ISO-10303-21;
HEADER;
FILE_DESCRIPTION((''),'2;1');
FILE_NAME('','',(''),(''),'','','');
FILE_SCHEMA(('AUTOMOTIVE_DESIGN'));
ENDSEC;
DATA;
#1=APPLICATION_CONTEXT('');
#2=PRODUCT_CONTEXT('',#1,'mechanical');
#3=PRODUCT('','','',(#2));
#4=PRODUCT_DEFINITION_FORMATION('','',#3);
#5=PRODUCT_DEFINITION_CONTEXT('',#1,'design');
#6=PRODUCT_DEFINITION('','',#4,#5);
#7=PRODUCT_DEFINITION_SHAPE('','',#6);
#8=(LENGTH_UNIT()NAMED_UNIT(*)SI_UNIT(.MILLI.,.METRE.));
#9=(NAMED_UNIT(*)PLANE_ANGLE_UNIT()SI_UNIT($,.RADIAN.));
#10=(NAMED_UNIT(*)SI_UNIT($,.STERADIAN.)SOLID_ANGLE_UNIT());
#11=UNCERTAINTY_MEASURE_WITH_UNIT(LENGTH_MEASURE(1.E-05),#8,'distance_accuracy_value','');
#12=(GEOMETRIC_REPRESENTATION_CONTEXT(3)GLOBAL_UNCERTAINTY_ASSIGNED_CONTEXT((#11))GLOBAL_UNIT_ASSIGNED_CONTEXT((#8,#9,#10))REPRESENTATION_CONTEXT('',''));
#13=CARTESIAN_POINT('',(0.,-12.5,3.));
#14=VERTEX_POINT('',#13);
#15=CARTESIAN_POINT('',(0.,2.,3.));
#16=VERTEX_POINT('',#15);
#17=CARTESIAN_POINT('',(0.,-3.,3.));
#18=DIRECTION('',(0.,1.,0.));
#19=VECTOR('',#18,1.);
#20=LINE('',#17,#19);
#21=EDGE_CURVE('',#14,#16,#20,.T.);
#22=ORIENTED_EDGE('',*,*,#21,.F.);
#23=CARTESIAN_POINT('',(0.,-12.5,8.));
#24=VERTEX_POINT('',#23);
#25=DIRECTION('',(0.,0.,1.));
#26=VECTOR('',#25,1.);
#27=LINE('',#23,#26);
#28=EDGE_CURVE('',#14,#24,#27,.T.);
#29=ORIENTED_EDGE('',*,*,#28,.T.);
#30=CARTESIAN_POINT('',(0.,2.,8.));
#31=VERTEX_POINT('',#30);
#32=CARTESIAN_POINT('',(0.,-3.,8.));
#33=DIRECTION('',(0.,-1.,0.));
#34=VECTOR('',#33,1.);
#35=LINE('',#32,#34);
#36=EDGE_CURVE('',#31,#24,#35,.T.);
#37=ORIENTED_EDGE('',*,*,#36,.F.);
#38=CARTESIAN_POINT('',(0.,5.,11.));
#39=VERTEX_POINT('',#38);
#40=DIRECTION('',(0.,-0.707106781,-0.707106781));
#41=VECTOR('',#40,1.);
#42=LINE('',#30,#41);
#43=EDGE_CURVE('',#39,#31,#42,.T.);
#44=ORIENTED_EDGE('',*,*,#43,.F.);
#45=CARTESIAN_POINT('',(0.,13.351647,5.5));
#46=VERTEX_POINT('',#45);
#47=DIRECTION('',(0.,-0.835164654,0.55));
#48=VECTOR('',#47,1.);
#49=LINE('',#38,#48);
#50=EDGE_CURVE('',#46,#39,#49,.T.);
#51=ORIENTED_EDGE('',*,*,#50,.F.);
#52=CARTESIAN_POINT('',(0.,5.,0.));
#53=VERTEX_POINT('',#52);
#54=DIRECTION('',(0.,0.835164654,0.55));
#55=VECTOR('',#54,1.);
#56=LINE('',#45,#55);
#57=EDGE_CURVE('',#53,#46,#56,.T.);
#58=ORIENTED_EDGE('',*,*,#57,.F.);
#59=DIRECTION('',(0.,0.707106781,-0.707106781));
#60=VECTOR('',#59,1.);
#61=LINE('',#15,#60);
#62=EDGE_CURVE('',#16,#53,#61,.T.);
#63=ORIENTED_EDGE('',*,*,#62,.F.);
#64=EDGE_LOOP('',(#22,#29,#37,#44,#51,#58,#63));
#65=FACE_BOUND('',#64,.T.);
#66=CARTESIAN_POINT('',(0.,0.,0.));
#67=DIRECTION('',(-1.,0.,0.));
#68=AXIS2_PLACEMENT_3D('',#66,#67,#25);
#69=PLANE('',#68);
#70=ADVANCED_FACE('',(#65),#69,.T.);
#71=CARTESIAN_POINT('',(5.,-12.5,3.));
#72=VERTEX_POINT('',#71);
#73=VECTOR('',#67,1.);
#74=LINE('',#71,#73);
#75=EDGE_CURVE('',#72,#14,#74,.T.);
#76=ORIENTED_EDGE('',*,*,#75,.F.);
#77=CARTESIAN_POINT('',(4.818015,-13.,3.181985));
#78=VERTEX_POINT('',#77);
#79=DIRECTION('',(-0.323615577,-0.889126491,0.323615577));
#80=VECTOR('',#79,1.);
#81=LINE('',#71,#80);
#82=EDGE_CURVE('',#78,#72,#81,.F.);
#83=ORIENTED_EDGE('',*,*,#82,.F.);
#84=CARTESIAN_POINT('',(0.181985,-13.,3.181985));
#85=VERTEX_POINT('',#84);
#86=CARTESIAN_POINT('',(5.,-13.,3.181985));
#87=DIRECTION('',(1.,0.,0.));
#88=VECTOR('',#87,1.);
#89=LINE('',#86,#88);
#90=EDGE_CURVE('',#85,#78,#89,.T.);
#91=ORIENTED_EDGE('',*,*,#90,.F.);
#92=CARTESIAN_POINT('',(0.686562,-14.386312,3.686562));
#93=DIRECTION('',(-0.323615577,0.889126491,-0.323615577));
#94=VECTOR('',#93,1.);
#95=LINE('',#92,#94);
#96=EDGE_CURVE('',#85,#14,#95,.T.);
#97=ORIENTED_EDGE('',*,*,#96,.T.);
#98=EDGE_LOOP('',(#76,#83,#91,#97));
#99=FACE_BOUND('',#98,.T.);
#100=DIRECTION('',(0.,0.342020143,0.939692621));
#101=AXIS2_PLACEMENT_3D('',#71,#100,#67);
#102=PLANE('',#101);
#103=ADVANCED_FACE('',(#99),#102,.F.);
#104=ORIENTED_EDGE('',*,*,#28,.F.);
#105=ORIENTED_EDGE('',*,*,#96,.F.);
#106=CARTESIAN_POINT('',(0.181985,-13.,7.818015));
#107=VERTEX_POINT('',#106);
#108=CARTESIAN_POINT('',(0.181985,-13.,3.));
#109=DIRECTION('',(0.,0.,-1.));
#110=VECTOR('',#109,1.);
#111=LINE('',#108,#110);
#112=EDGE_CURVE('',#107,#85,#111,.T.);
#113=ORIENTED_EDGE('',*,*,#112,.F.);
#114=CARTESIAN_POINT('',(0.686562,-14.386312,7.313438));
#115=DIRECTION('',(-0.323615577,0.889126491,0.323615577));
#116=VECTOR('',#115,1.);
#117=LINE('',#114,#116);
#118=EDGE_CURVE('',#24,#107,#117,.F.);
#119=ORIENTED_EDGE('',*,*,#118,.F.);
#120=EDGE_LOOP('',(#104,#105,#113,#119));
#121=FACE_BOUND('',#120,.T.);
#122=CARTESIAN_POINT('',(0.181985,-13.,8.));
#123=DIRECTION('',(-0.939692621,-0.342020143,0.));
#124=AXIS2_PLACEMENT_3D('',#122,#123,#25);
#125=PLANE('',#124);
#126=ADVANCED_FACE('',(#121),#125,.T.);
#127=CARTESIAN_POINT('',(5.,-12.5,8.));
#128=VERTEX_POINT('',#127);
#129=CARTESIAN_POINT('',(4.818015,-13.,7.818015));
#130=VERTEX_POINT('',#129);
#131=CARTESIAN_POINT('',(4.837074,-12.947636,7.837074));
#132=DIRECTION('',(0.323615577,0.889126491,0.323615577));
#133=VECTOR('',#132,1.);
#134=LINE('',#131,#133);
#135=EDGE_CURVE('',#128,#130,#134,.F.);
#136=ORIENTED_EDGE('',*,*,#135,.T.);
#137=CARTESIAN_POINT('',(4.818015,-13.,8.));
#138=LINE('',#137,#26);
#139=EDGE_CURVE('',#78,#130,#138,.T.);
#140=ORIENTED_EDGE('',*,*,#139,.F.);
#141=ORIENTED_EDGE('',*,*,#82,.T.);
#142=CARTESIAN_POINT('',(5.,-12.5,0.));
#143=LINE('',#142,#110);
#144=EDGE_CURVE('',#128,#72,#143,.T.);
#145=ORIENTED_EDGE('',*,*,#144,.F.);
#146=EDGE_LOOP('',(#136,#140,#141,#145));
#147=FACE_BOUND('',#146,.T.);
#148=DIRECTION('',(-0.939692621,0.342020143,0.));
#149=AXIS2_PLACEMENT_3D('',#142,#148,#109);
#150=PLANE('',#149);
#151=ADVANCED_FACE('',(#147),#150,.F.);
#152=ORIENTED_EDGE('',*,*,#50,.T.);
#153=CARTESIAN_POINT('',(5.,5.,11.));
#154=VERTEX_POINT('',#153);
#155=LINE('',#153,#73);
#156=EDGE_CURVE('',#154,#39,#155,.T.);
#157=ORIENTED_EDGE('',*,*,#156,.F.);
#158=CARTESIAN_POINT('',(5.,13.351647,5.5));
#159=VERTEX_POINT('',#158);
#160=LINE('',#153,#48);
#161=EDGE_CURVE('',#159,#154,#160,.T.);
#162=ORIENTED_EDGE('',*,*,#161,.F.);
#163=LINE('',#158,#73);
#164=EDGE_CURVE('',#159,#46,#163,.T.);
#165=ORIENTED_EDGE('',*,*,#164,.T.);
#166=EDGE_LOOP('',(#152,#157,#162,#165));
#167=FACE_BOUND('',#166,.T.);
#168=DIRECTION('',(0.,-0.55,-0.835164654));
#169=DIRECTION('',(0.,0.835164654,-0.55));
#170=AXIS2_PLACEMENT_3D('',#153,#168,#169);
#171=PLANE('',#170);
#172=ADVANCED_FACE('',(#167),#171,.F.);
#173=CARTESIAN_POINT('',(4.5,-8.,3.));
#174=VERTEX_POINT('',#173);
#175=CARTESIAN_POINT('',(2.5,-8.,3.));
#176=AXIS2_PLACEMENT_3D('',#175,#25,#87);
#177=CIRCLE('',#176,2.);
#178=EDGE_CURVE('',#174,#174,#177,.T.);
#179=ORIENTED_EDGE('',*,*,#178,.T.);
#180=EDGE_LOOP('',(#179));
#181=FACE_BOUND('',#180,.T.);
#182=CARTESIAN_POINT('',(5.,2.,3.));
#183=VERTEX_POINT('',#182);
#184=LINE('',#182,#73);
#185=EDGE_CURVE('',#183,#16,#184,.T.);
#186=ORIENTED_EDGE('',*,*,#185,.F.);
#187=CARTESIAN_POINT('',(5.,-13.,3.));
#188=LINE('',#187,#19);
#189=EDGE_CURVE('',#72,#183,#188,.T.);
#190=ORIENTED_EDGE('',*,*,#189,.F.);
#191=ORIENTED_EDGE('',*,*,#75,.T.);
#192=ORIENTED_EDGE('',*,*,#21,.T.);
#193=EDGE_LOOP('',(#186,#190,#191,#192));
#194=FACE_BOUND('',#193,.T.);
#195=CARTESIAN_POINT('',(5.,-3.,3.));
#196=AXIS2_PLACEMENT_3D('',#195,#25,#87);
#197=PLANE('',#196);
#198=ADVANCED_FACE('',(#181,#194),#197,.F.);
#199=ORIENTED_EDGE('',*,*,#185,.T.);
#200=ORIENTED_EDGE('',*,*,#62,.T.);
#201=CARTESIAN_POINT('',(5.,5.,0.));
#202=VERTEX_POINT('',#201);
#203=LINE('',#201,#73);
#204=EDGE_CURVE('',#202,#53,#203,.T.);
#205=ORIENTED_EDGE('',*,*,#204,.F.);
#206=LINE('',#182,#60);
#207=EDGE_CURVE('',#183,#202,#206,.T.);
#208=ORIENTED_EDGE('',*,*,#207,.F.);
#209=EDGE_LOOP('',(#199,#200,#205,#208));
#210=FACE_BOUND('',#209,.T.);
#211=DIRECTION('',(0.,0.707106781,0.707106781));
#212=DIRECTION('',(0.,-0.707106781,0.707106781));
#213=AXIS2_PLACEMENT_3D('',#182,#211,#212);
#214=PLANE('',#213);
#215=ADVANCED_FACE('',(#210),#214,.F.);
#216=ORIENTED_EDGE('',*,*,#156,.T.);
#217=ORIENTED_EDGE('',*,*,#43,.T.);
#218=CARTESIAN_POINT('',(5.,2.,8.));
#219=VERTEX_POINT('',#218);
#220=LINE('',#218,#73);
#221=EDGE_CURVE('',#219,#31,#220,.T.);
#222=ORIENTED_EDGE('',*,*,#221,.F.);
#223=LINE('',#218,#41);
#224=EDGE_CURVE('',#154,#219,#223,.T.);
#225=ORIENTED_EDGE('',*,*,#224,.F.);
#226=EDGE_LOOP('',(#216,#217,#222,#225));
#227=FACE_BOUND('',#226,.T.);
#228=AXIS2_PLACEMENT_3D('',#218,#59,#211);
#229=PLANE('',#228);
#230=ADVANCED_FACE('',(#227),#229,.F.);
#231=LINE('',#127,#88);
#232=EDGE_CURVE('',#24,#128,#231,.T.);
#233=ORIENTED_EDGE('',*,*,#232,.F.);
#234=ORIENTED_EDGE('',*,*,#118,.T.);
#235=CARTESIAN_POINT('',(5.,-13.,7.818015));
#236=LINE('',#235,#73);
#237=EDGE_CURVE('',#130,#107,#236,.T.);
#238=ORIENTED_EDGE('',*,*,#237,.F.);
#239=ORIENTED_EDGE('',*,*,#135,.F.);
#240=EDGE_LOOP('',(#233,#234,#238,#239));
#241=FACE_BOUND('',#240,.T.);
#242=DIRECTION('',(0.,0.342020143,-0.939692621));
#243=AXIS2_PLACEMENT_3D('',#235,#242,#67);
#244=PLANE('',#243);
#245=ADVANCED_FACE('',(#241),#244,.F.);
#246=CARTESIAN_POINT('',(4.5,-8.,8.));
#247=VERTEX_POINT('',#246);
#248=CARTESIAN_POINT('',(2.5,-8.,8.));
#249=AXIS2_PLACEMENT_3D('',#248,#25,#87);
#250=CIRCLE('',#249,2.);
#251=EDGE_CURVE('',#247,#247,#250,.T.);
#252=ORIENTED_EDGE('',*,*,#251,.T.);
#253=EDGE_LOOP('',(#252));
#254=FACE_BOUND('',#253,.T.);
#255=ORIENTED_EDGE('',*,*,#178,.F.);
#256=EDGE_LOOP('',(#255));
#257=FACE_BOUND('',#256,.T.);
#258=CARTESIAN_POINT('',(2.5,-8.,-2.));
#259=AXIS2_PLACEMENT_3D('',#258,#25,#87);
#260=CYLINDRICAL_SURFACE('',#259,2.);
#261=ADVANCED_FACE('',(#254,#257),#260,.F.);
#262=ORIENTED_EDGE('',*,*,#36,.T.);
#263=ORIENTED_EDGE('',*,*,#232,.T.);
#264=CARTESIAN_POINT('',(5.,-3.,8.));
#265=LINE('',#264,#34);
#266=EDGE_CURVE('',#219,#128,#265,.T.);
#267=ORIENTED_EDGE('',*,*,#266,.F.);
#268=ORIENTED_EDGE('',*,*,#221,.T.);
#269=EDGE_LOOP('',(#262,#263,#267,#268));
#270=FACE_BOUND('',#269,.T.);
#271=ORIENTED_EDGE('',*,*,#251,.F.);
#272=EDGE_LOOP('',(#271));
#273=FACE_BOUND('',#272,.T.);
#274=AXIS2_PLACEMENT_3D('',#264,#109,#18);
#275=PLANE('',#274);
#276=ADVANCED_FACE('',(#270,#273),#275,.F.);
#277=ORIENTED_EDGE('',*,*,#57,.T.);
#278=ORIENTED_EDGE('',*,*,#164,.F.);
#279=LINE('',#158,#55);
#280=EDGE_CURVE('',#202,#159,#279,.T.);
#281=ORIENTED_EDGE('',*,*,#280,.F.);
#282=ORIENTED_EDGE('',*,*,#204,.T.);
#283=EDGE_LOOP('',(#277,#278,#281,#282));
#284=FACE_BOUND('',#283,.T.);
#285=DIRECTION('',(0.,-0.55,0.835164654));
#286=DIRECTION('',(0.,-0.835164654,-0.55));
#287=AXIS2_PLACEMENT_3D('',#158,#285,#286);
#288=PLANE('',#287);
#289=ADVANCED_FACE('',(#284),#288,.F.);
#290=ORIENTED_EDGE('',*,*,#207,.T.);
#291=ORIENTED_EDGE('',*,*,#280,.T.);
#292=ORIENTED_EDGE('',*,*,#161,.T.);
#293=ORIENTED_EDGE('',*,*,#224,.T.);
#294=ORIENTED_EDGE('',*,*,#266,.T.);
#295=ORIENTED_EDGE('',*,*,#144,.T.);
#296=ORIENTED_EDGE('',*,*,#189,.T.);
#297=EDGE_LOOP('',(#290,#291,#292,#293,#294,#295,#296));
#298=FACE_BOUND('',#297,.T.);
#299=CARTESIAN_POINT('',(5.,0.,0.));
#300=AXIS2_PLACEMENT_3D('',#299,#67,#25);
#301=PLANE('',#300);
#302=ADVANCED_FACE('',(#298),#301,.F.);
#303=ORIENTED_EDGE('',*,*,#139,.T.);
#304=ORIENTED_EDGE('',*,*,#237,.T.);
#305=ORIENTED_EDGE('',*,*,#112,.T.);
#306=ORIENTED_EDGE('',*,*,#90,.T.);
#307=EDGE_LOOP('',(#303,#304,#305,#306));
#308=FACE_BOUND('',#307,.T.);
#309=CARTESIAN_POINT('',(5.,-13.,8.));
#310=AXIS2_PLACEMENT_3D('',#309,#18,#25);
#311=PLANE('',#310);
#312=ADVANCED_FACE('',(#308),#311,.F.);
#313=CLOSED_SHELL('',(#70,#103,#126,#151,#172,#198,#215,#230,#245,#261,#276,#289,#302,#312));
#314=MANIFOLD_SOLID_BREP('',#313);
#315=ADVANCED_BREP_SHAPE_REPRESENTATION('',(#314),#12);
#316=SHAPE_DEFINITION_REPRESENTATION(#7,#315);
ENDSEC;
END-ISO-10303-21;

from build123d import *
from OCP.BRepFilletAPI import BRepFilletAPI_MakeChamfer

# Parameters (mm, degrees)
BOSS_EXTRUDE1_DEPTH = 5
SKETCH4_R           = 2
CUT_EXTRUDE2_DEPTH  = 10
CHAMFER1_SIZE       = 0.5
CHAMFER1_SIZE2      = 0.181985117


with BuildPart() as part:
    # Sketch2 → Boss-Extrude1 (new body)
    with BuildSketch(Plane.YZ):
        Polygon((-3, 8), (-13, 8), (-13, 3), (-3, 3), (2, 3), (5, 0), (13.351646544, 5.5), (5, 11), (2, 8), align=None)
    extrude(amount=BOSS_EXTRUDE1_DEPTH)

    # Sketch4 → Cut-Extrude2 (cut)
    with BuildSketch(Plane.XY.offset(8)):
        with Locations((2.5, -8)):
            Circle(SKETCH4_R)
    extrude(amount=-CUT_EXTRUDE2_DEPTH, mode=Mode.SUBTRACT)

    # Chamfer1: one chamfer whose edges measure the first distance from different faces: ONE call of the kernel's chamfer builder (chamfer() names one face for all edges)
    chamfer1_edges_1 = [part.edges().sort_by_distance(p)[0] for p in [
        (0, -13, 5.5),
    ]]
    chamfer1_side_1 = [part.faces().sort_by_distance(p)[0] for p in [
        (0, 0.23145202, 5.5),
    ]]
    chamfer1_edges_2 = [part.edges().sort_by_distance(p)[0] for p in [
        (2.5, -13, 3),
    ]]
    chamfer1_side_2 = [part.faces().sort_by_distance(p)[0] for p in [
        (2.5, -4.996810824, 3),
    ]]
    chamfer1_edges_3 = [part.edges().sort_by_distance(p)[0] for p in [
        (2.5, -13, 8),
    ]]
    chamfer1_side_3 = [part.faces().sort_by_distance(p)[0] for p in [
        (2.5, -4.996810824, 8),
    ]]
    chamfer1_edges_4 = [part.edges().sort_by_distance(p)[0] for p in [
        (5, -13, 5.5),
    ]]
    chamfer1_side_4 = [part.faces().sort_by_distance(p)[0] for p in [
        (5, 0.23145202, 5.5),
    ]]
    chamfer1 = BRepFilletAPI_MakeChamfer(part.part.solid().wrapped)
    for e in chamfer1_edges_1:
        chamfer1.Add(CHAMFER1_SIZE, CHAMFER1_SIZE2, e.wrapped, chamfer1_side_1[0].wrapped)  # the first distance lies on this face
    for e in chamfer1_edges_2:
        chamfer1.Add(CHAMFER1_SIZE, CHAMFER1_SIZE2, e.wrapped, chamfer1_side_2[0].wrapped)  # the first distance lies on this face
    for e in chamfer1_edges_3:
        chamfer1.Add(CHAMFER1_SIZE, CHAMFER1_SIZE2, e.wrapped, chamfer1_side_3[0].wrapped)  # the first distance lies on this face
    for e in chamfer1_edges_4:
        chamfer1.Add(CHAMFER1_SIZE, CHAMFER1_SIZE2, e.wrapped, chamfer1_side_4[0].wrapped)  # the first distance lies on this face
    add(Compound.cast(chamfer1.Shape()), mode=Mode.REPLACE)


solid = part.part
